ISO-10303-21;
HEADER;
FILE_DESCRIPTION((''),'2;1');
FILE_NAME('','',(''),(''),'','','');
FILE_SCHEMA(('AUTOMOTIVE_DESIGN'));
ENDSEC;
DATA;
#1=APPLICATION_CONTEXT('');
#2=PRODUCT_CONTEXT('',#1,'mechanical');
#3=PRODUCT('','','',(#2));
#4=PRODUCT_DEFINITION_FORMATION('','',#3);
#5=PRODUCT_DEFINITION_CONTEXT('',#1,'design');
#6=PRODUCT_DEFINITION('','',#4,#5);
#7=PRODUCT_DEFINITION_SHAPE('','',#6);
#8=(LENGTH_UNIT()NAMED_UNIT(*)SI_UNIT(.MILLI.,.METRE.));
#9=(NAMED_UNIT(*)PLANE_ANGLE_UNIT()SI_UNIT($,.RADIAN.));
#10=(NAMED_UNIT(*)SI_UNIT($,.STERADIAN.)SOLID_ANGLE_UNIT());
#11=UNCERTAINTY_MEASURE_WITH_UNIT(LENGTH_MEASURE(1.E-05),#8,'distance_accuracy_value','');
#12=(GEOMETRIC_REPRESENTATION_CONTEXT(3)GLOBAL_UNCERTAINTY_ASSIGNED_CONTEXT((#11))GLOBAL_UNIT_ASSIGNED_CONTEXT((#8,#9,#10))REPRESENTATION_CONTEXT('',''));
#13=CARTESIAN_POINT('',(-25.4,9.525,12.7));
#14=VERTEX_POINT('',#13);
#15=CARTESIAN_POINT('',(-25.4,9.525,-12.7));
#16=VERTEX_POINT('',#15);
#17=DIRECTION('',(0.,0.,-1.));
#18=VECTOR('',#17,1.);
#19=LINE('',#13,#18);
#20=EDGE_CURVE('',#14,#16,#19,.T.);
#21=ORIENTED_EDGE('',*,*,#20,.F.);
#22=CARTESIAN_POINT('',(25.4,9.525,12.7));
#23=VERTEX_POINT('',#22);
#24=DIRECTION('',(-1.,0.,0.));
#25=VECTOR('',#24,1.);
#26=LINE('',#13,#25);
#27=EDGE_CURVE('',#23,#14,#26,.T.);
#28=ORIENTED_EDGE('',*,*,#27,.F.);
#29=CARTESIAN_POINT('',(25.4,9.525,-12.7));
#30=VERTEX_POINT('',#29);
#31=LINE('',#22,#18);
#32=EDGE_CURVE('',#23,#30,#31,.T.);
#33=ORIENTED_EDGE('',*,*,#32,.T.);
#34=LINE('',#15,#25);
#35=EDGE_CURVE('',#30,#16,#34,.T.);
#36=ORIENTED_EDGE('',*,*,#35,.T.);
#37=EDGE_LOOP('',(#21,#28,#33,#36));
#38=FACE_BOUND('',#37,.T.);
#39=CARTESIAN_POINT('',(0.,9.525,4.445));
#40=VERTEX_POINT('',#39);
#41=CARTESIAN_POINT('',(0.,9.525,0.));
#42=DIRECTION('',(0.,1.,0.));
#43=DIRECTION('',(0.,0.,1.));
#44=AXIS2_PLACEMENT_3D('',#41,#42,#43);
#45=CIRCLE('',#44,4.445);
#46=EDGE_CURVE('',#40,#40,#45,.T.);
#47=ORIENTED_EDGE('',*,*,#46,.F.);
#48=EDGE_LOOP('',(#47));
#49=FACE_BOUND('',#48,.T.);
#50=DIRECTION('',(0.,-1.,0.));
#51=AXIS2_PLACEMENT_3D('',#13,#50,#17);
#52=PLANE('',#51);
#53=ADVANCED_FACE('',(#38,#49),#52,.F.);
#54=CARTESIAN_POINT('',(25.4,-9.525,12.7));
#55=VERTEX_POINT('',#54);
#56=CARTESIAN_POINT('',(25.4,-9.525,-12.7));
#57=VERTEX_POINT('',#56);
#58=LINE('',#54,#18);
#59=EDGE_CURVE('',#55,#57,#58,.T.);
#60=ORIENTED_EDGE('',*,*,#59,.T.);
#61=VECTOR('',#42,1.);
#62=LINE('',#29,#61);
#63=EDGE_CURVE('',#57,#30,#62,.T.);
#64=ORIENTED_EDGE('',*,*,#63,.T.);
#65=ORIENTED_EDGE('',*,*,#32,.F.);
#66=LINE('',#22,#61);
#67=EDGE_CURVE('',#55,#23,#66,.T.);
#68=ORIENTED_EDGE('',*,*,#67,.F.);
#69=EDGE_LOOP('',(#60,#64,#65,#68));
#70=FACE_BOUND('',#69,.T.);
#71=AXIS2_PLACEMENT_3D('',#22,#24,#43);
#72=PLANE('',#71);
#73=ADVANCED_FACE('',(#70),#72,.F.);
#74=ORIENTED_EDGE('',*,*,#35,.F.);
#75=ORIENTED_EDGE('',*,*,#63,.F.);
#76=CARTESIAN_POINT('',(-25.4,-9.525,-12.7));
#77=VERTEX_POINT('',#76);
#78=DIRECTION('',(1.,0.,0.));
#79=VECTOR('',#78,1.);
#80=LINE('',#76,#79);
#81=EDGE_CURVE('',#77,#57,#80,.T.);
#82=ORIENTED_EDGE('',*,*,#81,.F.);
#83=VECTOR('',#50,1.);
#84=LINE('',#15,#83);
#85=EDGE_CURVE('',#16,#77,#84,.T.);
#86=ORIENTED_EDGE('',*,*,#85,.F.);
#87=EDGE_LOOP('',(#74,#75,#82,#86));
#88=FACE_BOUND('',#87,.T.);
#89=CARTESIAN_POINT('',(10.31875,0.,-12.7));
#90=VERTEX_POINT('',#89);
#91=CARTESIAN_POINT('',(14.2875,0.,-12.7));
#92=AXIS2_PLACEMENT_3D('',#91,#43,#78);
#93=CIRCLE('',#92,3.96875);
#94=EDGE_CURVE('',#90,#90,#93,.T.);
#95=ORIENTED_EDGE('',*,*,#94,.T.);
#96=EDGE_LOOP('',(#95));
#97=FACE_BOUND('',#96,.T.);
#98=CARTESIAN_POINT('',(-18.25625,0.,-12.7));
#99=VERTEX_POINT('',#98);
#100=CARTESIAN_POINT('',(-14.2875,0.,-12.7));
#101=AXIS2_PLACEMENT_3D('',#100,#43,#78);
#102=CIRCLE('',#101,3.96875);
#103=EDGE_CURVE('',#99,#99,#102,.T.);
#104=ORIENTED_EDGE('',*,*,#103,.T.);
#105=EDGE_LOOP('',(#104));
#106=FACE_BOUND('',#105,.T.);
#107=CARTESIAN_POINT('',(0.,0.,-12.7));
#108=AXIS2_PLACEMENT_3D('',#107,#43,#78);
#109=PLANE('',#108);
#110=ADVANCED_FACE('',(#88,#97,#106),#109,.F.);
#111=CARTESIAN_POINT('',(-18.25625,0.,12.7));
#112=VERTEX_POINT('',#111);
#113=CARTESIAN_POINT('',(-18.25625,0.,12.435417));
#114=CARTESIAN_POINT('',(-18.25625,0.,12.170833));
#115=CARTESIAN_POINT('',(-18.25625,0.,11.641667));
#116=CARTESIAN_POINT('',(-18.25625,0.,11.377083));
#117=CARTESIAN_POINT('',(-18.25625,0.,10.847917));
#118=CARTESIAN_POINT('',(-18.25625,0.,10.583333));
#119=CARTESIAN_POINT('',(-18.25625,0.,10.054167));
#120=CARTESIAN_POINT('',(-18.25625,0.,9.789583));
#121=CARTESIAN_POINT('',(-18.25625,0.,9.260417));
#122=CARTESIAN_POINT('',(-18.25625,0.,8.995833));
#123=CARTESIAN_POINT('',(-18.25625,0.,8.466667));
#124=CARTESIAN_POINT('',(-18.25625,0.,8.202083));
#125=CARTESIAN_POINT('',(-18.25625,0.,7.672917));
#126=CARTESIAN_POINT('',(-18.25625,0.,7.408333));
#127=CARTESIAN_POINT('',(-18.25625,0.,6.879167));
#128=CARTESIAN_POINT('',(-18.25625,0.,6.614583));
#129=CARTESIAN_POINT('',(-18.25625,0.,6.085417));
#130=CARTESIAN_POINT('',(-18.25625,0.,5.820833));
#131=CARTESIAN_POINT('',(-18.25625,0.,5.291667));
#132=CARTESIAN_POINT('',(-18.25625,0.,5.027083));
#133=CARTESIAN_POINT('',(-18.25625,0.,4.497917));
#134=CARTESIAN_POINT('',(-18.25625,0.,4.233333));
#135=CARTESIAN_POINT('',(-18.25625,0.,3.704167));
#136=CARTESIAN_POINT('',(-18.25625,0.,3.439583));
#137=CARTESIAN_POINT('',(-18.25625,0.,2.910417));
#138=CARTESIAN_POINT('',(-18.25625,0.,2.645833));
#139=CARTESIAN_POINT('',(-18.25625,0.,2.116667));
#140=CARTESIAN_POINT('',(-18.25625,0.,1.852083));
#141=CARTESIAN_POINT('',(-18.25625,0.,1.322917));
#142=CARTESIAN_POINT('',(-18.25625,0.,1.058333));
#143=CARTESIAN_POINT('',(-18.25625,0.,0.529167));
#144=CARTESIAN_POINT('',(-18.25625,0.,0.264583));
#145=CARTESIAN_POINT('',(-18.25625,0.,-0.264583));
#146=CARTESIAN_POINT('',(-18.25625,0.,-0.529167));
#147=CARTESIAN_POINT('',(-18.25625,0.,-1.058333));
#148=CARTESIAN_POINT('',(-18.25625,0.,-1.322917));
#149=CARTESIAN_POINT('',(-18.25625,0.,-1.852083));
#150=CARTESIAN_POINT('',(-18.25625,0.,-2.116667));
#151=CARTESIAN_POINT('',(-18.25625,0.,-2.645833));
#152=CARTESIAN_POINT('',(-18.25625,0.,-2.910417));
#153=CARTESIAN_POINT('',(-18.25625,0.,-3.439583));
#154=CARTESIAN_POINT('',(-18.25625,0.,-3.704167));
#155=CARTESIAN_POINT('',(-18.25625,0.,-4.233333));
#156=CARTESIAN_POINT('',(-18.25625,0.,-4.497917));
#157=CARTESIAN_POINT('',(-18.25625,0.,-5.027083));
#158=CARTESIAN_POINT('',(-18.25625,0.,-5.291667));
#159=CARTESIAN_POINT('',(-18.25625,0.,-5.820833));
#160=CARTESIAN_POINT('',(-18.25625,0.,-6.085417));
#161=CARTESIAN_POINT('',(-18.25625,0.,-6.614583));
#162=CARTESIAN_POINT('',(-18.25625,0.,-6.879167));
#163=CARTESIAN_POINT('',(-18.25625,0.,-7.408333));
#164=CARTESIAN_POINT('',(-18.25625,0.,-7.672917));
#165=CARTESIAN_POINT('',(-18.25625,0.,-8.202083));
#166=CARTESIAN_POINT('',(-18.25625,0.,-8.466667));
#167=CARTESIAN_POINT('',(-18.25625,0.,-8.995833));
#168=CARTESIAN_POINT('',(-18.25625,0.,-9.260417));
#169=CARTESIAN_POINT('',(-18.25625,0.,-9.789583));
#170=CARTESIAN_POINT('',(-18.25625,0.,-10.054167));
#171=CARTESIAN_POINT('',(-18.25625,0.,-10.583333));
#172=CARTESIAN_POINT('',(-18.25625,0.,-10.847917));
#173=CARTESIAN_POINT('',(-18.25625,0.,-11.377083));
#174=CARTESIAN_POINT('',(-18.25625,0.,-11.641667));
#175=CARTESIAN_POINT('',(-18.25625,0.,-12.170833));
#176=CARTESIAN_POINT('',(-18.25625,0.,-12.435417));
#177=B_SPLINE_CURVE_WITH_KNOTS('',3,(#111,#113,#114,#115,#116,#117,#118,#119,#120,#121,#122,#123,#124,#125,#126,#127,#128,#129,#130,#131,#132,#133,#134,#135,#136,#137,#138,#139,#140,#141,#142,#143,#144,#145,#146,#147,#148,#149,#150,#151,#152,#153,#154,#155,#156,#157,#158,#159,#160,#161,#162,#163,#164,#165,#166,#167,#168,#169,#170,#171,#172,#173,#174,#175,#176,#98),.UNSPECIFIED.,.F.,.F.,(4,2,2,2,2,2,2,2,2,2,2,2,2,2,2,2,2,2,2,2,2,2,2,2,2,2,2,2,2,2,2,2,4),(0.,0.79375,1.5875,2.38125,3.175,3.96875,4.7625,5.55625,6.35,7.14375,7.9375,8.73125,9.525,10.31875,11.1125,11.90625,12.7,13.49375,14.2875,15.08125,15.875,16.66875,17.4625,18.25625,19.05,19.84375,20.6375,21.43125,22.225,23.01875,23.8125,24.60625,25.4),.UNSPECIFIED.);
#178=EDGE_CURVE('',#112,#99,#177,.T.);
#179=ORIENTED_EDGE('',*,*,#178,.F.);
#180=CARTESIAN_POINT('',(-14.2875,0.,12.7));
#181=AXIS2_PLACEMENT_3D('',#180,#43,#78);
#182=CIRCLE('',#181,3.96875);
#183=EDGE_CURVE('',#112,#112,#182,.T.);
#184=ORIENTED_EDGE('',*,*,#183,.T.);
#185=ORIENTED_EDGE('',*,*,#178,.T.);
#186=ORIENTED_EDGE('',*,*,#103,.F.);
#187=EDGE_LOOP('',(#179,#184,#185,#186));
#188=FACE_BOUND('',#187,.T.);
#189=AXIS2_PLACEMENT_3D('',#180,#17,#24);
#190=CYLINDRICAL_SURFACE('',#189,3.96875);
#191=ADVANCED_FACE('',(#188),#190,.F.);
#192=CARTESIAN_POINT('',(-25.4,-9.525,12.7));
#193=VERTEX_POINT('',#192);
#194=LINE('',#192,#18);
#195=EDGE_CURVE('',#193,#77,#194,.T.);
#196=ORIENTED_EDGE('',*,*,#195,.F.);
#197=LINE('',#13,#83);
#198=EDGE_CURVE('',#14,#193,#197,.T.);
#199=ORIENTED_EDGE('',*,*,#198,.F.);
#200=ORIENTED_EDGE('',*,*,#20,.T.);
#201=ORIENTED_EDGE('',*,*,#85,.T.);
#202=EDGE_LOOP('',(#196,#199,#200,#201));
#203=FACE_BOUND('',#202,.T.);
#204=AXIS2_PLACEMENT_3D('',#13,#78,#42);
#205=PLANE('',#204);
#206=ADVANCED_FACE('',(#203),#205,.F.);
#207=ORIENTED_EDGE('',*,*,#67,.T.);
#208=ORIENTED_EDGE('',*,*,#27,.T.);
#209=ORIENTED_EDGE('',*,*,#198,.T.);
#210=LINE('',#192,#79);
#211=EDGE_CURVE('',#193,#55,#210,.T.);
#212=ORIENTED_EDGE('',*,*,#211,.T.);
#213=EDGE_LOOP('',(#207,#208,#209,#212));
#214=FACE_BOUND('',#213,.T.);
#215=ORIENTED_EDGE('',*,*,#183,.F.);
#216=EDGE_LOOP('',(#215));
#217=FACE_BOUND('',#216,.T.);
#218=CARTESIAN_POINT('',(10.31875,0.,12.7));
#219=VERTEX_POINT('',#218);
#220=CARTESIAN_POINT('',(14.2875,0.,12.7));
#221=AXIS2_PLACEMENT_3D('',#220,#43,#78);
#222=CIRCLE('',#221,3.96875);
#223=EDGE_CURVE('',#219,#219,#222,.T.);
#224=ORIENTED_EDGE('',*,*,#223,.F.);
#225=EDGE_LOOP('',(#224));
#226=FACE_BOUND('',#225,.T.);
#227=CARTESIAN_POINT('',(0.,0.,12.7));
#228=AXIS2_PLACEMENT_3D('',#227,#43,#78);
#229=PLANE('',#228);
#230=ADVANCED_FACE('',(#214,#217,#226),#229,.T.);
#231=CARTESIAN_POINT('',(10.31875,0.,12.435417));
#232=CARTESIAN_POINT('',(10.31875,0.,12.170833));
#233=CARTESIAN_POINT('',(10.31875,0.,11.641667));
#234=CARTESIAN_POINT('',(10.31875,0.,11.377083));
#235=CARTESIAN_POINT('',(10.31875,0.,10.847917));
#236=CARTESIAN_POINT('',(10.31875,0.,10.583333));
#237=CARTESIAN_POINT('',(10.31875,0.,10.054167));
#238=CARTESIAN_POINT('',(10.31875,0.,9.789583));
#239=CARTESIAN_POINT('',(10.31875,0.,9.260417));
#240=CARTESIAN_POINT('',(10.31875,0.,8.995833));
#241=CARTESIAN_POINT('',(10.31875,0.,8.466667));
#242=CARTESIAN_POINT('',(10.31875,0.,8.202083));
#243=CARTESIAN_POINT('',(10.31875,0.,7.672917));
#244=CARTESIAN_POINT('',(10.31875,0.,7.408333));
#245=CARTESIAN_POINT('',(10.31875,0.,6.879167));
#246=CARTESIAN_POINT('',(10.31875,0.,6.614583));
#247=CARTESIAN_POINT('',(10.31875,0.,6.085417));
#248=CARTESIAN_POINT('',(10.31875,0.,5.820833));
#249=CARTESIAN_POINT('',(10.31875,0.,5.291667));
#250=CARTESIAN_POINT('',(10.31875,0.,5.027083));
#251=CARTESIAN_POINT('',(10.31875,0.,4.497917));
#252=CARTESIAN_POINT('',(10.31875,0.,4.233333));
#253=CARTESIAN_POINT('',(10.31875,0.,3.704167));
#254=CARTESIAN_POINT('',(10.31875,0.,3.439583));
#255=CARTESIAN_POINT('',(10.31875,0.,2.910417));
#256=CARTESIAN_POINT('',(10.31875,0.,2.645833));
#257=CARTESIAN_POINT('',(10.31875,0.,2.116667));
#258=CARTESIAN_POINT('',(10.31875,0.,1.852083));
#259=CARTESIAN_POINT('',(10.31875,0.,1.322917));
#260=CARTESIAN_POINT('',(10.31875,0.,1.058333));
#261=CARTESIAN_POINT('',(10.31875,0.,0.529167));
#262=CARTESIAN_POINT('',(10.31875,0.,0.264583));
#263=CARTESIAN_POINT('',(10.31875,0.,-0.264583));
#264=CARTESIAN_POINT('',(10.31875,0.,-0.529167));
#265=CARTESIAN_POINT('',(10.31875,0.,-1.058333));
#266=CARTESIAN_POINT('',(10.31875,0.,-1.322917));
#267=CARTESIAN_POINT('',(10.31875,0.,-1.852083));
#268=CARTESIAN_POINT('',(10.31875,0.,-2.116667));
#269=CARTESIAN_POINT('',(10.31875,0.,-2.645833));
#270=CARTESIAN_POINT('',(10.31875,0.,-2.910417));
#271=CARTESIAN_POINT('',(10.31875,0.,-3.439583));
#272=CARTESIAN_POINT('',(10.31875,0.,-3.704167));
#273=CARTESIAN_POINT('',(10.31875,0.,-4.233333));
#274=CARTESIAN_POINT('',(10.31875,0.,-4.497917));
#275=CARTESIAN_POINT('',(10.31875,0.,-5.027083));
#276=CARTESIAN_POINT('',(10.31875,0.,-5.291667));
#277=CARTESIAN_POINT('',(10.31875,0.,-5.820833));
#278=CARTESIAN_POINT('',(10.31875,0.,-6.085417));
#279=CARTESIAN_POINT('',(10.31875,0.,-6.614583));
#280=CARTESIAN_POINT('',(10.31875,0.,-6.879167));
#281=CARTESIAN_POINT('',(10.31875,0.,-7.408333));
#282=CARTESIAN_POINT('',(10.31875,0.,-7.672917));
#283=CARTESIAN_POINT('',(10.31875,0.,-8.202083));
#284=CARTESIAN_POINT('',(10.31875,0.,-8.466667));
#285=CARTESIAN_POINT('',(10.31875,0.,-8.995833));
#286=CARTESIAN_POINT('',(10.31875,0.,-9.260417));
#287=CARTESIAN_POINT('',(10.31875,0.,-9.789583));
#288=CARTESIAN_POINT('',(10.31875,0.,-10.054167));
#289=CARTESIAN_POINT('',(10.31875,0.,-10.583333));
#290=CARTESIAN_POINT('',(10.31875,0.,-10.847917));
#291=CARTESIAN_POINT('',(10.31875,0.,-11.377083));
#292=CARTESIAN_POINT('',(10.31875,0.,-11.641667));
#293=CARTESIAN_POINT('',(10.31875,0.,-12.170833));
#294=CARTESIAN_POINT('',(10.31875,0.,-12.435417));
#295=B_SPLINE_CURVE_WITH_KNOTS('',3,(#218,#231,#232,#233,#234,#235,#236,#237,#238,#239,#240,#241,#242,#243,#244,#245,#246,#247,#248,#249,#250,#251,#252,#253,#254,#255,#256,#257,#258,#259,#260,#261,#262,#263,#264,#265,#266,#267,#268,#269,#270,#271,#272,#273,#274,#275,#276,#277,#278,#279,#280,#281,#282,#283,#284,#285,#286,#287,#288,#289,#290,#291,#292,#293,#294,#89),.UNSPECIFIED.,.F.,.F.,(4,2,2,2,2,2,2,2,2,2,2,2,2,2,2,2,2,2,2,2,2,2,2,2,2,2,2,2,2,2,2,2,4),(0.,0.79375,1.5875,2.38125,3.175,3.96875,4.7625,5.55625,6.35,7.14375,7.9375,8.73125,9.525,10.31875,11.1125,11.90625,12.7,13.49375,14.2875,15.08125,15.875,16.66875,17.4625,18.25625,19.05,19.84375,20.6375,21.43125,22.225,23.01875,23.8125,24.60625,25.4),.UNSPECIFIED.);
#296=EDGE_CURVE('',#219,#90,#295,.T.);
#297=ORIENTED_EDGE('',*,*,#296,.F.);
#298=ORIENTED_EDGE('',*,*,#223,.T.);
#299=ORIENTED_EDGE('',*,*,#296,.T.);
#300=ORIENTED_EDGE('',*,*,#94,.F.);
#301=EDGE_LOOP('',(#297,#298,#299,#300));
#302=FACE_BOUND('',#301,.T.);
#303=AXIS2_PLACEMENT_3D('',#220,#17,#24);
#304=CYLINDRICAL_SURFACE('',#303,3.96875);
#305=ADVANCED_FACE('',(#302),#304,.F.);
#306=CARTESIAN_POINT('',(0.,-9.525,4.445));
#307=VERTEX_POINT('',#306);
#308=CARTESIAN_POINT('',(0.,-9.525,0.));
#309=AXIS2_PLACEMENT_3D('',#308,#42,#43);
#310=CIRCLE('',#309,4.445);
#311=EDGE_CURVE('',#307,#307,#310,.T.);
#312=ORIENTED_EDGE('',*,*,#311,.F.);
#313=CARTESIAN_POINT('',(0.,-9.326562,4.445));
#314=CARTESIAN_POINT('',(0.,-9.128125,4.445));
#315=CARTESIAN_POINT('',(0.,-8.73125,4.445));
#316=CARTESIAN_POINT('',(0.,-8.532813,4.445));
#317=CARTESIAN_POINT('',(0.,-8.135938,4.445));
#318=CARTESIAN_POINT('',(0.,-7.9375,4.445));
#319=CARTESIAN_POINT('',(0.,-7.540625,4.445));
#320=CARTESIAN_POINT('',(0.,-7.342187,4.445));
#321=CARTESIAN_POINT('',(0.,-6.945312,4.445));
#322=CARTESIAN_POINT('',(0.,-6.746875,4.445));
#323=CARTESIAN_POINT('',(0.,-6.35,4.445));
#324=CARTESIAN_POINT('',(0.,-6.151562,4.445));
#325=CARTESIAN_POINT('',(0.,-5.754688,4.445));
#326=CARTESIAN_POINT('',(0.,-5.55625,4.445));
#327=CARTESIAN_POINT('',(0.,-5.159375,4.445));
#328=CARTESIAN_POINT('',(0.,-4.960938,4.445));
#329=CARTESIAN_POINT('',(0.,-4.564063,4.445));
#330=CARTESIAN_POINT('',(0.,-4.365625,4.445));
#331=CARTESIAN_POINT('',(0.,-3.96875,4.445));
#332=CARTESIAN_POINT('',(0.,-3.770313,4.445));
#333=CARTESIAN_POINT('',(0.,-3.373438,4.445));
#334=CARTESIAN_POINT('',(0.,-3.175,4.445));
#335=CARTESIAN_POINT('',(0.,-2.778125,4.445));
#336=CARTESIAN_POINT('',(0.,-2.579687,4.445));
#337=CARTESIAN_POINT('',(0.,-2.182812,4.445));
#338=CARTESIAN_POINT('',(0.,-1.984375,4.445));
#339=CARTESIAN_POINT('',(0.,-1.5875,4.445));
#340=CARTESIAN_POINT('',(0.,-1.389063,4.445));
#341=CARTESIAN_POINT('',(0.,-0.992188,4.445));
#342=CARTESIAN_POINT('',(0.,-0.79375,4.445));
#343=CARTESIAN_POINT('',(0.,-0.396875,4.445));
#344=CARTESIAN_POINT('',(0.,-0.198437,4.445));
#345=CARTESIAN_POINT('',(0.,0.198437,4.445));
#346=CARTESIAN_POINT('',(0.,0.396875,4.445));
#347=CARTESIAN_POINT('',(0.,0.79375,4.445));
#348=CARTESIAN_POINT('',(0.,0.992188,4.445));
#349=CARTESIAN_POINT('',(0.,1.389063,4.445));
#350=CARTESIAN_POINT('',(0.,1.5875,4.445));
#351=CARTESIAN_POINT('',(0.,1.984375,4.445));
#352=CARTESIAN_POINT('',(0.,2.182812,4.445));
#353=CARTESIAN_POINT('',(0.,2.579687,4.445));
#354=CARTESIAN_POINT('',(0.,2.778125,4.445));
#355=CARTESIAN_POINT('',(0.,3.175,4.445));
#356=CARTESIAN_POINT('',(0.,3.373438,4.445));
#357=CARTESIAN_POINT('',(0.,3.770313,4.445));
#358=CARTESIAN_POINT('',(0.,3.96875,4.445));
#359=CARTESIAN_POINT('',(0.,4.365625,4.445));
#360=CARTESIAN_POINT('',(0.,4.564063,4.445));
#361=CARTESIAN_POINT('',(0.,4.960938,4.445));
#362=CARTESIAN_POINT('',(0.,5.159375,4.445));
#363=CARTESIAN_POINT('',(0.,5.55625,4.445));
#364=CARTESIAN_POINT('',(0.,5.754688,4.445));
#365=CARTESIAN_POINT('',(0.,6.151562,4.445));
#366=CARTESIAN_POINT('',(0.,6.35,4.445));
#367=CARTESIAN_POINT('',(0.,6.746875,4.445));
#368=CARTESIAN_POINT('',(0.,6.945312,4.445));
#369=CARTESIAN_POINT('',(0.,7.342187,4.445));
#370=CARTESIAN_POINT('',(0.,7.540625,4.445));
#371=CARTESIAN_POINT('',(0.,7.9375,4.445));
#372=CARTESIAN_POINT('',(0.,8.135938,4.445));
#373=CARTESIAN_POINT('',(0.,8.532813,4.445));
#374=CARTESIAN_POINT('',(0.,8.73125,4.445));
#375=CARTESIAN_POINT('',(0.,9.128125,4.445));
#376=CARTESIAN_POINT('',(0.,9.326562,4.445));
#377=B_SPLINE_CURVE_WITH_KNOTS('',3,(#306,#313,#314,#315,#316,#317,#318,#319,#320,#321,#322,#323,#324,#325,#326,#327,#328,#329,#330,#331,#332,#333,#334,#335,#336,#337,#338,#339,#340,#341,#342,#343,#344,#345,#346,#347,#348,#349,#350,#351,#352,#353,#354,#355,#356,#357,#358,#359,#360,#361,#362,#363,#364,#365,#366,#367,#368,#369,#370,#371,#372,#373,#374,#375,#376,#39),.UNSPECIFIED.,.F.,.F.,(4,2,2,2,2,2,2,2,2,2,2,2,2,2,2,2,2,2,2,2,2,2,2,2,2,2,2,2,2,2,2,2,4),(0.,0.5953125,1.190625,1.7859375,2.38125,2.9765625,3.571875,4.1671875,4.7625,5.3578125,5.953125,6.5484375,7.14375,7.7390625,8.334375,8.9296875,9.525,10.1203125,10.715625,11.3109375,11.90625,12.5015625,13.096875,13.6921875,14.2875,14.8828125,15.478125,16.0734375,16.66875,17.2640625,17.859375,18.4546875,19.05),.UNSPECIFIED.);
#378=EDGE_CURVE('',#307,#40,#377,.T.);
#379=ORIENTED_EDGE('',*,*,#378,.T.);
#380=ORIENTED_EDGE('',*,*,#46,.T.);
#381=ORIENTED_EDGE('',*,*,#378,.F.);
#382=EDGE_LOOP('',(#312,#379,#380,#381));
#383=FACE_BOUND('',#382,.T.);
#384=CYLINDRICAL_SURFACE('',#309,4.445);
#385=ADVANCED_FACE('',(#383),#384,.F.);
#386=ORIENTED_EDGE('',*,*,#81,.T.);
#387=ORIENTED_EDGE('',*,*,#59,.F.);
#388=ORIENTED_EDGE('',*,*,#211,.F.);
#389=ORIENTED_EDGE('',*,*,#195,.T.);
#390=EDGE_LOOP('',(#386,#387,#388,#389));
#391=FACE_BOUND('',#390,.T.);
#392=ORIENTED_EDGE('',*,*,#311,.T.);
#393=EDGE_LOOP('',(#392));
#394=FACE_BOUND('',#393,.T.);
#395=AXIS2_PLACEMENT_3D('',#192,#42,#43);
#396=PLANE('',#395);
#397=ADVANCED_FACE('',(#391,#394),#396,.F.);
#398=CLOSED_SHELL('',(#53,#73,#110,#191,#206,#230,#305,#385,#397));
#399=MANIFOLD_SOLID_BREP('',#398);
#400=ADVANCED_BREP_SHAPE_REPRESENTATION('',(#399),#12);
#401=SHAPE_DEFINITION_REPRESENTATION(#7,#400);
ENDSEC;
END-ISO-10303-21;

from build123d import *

# Parameters (mm, degrees)
SKETCH1_W           = 50.8
SKETCH1_H           = 19.05
SKETCH1_R           = 3.96875
BOSS_EXTRUDE1_DEPTH = 12.7
SKETCH2_R           = 4.445
CUT_EXTRUDE1_DEPTH  = 35.195796525


with BuildPart() as part:
    # Sketch1 → Boss-Extrude1 (new, symmetric)
    with BuildSketch(Plane.XY):
        Rectangle(SKETCH1_W, SKETCH1_H)
        with Locations(Location((-14.2875, 0, 0), (0, 0, 180))):
            Circle(SKETCH1_R, mode=Mode.SUBTRACT)
        with Locations(Location((14.2875, 0, 0), (0, 0, 180))):
            Circle(SKETCH1_R, mode=Mode.SUBTRACT)
    extrude(amount=BOSS_EXTRUDE1_DEPTH, both=True)

    # Sketch2 → Cut-Extrude1 (cut, through all)
    with BuildSketch(Plane(origin=(0, 9.525, 0), x_dir=(1, 0, 0), z_dir=(0, 1, 0))):
        with Locations(Location((0, 0, 0), (0, 0, 270))):
            Circle(SKETCH2_R)
    extrude(amount=-CUT_EXTRUDE1_DEPTH, mode=Mode.SUBTRACT)


solid = part.part
